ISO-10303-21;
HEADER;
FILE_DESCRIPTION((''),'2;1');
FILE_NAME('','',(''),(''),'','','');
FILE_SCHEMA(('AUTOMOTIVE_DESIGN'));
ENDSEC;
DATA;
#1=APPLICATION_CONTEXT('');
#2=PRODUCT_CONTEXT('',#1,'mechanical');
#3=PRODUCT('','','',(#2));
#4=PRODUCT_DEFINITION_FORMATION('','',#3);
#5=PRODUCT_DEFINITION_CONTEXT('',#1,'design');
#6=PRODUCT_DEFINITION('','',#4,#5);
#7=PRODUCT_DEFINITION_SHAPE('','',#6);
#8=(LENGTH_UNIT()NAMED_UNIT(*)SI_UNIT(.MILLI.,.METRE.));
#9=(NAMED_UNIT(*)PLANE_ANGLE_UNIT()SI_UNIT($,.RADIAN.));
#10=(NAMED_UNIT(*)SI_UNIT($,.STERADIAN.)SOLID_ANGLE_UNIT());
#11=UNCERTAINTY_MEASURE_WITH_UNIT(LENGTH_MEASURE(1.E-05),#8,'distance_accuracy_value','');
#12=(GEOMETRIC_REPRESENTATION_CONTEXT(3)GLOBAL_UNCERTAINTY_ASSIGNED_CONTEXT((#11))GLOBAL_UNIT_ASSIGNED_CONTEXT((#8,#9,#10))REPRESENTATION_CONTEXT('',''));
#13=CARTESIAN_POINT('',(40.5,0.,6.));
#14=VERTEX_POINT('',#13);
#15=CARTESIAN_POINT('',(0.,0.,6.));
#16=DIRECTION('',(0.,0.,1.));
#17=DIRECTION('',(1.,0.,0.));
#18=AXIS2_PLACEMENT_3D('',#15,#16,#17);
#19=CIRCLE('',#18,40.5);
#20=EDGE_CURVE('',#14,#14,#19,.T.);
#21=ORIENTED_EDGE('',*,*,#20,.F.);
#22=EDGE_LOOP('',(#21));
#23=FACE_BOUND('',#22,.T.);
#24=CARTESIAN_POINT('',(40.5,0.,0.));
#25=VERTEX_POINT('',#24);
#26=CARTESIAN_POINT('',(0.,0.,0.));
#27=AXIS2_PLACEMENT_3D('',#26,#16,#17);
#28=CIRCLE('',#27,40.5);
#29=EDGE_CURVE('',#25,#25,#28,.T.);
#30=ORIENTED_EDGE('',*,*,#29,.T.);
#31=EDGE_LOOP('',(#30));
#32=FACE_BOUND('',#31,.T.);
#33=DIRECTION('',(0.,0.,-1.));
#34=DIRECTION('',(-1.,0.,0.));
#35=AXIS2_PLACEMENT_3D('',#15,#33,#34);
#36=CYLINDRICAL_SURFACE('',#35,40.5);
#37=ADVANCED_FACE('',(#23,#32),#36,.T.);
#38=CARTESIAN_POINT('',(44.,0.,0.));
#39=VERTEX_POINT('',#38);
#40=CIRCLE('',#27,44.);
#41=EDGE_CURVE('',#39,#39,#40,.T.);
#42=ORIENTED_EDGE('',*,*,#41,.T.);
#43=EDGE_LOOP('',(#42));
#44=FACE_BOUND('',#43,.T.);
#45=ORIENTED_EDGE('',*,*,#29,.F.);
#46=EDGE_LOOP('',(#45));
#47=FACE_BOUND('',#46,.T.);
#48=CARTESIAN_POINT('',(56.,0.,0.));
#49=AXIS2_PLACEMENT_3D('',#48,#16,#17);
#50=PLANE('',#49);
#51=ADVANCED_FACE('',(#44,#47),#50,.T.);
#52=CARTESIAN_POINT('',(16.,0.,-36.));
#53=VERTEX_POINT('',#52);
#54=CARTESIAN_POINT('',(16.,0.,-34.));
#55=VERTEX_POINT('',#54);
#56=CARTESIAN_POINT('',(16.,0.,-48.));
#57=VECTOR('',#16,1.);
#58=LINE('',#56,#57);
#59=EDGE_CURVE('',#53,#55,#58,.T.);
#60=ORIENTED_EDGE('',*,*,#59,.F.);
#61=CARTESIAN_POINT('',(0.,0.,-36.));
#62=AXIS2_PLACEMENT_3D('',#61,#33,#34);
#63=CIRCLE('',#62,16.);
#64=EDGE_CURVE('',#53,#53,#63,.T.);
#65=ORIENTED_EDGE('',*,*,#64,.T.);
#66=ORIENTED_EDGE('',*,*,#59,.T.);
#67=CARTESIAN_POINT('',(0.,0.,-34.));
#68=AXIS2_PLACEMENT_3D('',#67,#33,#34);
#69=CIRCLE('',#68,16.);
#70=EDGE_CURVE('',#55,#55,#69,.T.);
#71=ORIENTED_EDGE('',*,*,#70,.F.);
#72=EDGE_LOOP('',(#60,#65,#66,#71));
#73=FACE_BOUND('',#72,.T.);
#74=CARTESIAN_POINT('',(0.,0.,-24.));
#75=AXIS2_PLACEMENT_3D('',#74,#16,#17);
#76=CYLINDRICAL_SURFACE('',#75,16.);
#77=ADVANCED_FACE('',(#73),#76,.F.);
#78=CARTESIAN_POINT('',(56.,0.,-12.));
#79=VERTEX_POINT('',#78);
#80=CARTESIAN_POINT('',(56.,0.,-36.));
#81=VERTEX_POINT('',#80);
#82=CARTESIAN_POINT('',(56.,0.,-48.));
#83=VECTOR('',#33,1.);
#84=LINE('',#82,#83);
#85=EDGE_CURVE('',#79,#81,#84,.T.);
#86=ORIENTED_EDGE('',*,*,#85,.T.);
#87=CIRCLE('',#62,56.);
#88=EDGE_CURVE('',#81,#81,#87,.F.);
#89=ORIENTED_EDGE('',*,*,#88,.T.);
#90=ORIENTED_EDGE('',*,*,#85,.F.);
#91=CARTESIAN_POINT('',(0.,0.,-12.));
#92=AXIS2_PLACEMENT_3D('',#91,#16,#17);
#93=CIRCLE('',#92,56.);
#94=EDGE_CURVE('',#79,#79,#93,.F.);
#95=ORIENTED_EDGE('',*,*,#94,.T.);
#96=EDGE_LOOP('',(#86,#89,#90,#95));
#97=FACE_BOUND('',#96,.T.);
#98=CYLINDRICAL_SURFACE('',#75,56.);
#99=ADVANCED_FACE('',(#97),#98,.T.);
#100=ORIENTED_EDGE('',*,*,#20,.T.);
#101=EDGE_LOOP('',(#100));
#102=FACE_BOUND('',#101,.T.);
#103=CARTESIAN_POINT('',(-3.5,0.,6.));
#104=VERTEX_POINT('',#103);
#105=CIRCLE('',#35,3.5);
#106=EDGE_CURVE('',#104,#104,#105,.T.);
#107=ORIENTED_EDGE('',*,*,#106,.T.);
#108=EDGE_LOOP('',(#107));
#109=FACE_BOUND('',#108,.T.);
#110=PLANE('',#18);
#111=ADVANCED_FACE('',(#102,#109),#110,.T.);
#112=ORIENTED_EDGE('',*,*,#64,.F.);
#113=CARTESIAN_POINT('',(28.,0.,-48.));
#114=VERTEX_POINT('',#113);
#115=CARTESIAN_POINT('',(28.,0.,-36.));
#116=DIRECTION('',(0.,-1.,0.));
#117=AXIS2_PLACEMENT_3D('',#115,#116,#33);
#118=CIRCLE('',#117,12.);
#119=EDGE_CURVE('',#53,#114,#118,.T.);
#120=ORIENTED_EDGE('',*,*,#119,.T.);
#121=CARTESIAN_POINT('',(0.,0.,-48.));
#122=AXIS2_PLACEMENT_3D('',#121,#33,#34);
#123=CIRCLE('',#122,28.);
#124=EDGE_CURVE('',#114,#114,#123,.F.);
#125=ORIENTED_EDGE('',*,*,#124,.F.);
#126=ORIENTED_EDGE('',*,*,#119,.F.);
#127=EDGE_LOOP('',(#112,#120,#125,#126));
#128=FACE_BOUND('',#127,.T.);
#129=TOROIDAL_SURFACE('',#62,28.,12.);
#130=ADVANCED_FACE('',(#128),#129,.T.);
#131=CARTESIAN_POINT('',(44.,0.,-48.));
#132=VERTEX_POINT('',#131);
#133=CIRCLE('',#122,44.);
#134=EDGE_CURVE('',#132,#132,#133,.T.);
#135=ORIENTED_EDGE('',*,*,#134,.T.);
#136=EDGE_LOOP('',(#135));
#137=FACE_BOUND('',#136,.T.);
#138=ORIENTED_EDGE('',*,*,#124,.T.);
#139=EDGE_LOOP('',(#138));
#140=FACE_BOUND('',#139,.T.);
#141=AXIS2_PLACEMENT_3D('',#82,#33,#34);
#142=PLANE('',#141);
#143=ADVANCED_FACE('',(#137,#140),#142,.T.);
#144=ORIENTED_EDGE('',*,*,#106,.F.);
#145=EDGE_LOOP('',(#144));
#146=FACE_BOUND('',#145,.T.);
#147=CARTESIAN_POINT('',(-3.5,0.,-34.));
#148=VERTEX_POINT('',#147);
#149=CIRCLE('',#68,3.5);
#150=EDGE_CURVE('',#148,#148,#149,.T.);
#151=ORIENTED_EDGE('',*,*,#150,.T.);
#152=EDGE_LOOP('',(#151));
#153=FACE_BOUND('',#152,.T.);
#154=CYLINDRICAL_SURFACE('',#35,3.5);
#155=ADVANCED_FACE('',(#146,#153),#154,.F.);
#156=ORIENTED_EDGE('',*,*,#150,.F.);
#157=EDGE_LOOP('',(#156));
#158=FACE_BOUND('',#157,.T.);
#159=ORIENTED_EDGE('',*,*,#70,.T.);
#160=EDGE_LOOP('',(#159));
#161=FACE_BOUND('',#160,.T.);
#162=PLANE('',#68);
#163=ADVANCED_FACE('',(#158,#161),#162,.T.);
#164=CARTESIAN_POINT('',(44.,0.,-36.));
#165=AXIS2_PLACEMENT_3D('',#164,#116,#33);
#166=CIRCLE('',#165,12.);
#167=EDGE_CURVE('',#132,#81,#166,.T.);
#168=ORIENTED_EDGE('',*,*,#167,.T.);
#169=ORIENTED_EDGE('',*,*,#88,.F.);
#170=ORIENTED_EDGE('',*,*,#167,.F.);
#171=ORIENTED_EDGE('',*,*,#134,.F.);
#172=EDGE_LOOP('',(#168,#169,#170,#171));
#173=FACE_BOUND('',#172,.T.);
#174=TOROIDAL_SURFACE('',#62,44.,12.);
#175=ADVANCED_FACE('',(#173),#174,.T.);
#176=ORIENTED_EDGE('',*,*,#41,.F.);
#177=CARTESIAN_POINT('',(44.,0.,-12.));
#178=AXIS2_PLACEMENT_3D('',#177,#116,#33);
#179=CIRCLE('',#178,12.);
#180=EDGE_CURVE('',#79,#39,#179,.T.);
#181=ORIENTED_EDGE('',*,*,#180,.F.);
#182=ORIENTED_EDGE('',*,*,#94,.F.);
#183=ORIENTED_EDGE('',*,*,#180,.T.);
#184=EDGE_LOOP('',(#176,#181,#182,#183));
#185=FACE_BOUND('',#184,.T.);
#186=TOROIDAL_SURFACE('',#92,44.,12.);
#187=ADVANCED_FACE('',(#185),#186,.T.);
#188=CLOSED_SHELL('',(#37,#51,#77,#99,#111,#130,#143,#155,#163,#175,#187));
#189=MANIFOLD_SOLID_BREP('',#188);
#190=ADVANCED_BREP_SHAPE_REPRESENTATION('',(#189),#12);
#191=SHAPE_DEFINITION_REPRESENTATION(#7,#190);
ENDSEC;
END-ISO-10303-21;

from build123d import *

# Parameters (mm, degrees)
SKETCH1_R               = 40.5
BOSS_EXTRUDE1_DEPTH     = 6
SKETCH2_W               = 40
SKETCH2_H               = 48
FILLET1_R               = 12
SKETCH4_R               = 16
BOSS_EXTRUDE2_DEPTH     = 34
SKETCH5_R               = 3.5
CUT_EXTRUDE1_DEPTH      = 15.0000001
CUT_EXTRUDE1_DEPTH_BACK = 41


with BuildPart() as part:
    # Sketch1 → Boss-Extrude1 (new body)
    with BuildSketch(Plane.XY):
        Circle(SKETCH1_R)
    extrude(amount=BOSS_EXTRUDE1_DEPTH)

    # Sweep1: sweep along a path in Sketch3
    with BuildLine(Plane.XY.offset(-24)) as sweep1_path:
        CenterArc((0, 0), 70, 0, 360)
    # Sketch2 → Sweep1 (sweep)
    with BuildSketch(Plane(origin=(0, 0, 0), x_dir=(1, 0, 0), z_dir=(0, 1, 0))):
        with Locations((36, 24)):
            Rectangle(SKETCH2_W, SKETCH2_H)
    sweep(path=sweep1_path.line)

    # Fillet1
    fillet1_edges = [part.edges().sort_by_distance(p)[0] for p in [
        (-16, 0, -48),
        (-56, 0, -48),
        (-56, 0, 0),
    ]]
    fillet(fillet1_edges, radius=FILLET1_R)

    # Sketch4 → Boss-Extrude2 (add)
    with BuildSketch(Plane(origin=(0, 0, 0), x_dir=(-1, 0, 0), z_dir=(0, 0, -1))):
        Circle(SKETCH4_R)
    extrude(amount=BOSS_EXTRUDE2_DEPTH)

    # Sketch5 → Cut-Extrude1 (cut, two sides)
    with BuildSketch(Plane(origin=(0, 0, -34), x_dir=(-1, 0, 0), z_dir=(0, 0, -1))) as cut_extrude1_sk:
        Circle(SKETCH5_R)
    extrude(amount=CUT_EXTRUDE1_DEPTH, mode=Mode.SUBTRACT)
    extrude(cut_extrude1_sk.sketch, amount=-CUT_EXTRUDE1_DEPTH_BACK, mode=Mode.SUBTRACT)


solid = part.part
